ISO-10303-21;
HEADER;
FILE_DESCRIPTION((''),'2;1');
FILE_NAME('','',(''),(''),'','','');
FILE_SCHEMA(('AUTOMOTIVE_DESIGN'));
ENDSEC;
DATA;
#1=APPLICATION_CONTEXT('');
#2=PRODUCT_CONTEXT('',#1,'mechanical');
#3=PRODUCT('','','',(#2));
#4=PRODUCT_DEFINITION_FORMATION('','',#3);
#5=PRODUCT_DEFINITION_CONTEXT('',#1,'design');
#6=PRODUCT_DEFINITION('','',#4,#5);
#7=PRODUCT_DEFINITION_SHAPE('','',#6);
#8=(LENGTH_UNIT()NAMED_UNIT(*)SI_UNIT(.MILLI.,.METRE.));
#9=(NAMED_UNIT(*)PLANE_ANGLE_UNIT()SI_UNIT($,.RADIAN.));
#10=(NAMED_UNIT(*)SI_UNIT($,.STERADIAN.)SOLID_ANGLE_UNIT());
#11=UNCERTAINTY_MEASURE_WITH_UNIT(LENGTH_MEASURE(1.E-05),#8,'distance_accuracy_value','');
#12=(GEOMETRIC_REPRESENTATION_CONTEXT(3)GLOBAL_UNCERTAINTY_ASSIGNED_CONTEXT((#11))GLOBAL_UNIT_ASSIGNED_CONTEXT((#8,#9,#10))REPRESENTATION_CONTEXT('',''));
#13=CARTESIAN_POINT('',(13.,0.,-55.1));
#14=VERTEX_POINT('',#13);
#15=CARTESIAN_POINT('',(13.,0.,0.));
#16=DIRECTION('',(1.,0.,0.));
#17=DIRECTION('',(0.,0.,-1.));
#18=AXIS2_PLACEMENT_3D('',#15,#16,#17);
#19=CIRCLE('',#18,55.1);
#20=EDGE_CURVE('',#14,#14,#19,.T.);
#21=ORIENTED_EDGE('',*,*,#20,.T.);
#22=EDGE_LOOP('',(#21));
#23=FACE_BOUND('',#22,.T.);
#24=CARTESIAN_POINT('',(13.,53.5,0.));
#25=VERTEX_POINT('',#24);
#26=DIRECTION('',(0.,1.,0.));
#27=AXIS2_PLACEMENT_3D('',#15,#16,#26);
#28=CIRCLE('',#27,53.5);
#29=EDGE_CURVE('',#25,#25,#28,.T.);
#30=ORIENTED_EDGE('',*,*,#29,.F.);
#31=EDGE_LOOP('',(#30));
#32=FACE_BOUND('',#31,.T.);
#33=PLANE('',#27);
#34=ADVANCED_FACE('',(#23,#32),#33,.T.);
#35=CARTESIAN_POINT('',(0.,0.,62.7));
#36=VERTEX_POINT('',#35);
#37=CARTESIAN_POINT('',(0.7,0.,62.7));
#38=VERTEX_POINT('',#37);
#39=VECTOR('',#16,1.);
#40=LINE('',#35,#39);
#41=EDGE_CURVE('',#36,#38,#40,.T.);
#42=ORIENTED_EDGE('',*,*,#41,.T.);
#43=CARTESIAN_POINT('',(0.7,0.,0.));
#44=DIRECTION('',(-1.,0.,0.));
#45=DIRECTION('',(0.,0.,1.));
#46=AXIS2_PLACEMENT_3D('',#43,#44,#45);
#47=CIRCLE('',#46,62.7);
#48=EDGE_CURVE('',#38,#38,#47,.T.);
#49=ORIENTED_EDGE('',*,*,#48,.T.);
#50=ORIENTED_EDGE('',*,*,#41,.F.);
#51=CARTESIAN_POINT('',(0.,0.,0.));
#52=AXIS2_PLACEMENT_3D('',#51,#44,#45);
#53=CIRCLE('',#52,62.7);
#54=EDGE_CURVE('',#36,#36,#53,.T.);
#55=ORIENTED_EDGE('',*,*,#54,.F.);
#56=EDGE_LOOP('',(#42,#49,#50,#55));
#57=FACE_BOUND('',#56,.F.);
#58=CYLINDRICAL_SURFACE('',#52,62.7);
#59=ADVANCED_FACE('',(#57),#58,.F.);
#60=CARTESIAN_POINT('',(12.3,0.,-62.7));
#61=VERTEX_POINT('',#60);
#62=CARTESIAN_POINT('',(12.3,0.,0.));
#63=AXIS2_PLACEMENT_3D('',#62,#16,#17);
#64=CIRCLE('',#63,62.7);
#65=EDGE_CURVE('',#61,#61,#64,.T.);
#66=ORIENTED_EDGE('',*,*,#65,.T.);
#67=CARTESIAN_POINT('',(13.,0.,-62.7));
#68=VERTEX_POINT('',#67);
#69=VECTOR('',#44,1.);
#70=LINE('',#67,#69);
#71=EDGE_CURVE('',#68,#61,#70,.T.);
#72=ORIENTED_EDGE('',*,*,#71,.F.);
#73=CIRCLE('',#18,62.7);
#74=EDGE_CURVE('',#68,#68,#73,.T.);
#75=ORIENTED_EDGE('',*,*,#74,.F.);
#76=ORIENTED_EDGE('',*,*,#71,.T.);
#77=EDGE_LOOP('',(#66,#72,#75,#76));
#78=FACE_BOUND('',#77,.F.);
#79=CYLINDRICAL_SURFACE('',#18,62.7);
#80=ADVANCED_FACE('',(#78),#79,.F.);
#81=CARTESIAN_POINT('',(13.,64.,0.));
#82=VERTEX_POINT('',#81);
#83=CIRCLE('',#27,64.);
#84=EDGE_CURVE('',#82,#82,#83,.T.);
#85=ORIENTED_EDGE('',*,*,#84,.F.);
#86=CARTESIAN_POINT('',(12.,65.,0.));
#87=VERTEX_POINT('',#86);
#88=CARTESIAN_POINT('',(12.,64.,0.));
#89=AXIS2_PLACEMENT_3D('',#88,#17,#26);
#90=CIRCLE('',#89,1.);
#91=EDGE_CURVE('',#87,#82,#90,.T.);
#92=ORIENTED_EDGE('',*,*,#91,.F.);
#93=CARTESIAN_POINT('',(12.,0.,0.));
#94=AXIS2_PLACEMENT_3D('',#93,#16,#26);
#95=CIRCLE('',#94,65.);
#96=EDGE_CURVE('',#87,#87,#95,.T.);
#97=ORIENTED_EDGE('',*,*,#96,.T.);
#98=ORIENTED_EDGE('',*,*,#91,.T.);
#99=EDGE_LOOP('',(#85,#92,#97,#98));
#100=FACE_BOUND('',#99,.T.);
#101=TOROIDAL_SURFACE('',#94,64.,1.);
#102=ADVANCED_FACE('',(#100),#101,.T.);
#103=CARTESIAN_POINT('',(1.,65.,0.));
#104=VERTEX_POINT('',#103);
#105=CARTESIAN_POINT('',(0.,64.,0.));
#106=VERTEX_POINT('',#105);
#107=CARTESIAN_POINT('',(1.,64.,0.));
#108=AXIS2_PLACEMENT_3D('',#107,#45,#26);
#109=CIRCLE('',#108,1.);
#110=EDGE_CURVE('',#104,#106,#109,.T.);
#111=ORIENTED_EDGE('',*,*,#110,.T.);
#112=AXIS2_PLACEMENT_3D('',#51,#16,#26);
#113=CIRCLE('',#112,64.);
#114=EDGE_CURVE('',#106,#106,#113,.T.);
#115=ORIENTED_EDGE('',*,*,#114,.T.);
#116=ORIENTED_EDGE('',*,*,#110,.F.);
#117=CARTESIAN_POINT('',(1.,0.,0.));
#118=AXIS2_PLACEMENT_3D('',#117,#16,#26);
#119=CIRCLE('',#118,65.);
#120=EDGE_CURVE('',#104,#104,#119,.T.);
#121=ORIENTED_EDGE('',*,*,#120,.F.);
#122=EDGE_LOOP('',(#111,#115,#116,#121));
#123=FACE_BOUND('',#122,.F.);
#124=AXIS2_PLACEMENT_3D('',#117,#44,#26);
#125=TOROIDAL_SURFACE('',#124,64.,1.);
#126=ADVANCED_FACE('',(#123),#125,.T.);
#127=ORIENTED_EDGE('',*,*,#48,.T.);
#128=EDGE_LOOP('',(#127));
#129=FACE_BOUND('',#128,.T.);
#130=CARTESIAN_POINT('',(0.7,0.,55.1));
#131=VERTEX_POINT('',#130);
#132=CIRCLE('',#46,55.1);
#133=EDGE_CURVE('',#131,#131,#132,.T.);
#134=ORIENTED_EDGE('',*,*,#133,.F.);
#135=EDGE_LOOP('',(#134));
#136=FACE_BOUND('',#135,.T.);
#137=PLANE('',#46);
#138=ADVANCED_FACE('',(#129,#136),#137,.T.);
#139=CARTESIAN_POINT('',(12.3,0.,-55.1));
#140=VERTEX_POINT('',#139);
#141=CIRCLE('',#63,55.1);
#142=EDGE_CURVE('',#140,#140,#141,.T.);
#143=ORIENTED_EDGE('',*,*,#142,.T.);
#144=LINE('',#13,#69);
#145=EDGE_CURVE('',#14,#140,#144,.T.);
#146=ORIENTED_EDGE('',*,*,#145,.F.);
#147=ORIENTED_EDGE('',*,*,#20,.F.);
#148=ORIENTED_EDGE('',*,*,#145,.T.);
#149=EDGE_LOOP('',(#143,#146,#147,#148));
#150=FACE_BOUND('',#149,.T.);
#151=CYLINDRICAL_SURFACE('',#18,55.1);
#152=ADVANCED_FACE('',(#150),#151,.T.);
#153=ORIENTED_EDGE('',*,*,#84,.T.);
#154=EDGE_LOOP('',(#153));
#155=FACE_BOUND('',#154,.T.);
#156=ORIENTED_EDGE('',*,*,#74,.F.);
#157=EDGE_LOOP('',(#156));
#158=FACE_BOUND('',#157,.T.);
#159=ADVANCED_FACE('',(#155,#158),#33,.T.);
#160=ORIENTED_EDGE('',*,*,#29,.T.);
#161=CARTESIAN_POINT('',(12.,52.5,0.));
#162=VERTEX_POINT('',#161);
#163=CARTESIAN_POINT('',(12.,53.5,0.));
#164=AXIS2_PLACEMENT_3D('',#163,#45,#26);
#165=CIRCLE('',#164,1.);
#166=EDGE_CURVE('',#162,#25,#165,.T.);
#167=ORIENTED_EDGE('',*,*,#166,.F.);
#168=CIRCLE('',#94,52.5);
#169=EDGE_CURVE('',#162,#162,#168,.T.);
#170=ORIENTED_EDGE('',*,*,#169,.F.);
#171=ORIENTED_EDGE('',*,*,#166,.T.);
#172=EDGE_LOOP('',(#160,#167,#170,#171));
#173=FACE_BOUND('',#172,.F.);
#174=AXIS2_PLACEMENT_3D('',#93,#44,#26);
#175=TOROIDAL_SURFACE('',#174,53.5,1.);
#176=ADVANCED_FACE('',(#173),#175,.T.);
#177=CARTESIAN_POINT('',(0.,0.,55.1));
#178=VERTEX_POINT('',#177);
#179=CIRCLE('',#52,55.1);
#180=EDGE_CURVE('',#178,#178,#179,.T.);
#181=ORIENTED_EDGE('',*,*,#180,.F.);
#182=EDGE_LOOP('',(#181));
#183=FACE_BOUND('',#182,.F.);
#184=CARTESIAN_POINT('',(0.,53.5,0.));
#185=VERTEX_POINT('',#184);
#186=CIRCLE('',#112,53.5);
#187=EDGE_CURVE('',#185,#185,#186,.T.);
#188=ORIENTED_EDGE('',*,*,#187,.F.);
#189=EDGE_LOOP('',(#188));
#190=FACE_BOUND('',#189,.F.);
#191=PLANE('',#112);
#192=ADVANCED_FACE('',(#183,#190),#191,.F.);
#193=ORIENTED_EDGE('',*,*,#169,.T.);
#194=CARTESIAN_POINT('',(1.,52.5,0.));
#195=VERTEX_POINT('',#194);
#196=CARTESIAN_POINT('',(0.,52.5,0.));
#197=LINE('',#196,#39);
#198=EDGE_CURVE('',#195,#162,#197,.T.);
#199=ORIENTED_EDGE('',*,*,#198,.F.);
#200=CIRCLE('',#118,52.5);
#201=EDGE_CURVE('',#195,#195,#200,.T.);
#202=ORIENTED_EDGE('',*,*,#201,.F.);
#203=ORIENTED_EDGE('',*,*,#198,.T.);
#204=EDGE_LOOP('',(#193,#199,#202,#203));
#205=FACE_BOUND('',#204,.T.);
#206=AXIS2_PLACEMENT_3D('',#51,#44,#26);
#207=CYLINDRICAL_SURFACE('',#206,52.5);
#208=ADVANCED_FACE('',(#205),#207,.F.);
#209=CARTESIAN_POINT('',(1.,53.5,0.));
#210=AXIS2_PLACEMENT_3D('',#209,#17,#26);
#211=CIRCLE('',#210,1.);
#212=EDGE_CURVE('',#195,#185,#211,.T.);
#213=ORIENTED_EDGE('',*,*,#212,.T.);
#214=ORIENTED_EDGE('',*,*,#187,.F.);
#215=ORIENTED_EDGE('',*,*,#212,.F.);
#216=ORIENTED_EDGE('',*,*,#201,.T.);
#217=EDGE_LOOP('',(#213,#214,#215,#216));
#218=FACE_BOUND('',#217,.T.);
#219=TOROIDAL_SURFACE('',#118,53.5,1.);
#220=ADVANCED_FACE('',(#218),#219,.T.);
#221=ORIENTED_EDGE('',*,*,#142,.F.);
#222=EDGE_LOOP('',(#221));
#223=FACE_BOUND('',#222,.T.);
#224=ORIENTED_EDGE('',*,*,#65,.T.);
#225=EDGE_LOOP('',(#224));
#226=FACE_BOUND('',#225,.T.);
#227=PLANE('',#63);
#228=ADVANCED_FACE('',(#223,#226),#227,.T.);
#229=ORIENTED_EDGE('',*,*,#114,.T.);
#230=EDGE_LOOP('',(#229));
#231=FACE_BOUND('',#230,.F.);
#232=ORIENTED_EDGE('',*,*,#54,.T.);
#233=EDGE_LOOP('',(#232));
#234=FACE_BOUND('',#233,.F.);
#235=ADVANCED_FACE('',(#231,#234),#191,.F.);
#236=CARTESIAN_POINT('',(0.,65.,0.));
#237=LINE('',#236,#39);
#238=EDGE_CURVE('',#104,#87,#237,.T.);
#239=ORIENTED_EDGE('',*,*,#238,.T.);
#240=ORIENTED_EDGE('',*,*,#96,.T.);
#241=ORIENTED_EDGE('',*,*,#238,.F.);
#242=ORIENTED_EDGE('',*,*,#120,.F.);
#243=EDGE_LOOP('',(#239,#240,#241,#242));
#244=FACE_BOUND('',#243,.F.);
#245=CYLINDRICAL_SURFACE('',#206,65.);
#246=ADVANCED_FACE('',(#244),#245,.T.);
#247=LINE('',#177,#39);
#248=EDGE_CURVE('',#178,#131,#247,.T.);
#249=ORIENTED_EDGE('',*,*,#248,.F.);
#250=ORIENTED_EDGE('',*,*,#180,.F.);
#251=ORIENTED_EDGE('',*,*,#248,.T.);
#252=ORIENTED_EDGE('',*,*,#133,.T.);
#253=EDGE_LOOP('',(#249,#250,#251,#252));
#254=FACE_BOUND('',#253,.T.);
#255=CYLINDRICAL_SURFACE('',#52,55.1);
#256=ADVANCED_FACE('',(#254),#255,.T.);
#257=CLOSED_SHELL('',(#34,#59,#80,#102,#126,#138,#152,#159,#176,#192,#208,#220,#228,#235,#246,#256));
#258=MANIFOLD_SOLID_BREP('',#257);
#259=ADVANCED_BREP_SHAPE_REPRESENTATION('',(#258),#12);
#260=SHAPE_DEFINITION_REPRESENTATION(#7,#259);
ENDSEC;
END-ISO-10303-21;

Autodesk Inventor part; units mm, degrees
ref_plane "YZ Plane" through (0, 0, 0) normal (1, 0, 0) x (0, 1, 0)
ref_plane "XZ Plane" through (0, 0, 0) normal (0, 1, 0) x (-1, 0, 0)
ref_plane "XY Plane" through (0, 0, 0) normal (0, 0, 1) x (1, 0, 0)
sketch "スケッチ1" plane through (0, 0, 0) normal (1, 0, 0) x (0, 1, 0)
  circle A0 centre (0, 0) radius 65
  circle A1 centre (0, 0) radius 52.5
  dimension "d0" = 130
  dimension "d1" = 105
extrude "押し出し1" add sketch "スケッチ1" along normal blind 13
fillet "フィレット1" radius 1 4 edges at (13, -65, 0) (0, -65, 0) (13, -52.5, 0) (0, -52.5, 0)
sketch "スケッチ2" plane through (13, 0, 0) normal (1, 0, 0) x (0, 0, -1)
  circle A0 centre (0, 0) radius 55.1
  circle A1 centre (0, 0) radius 52.5 projected
  circle A2 centre (0, 0) radius 62.7
  circle A3 centre (0, 0) radius 65 projected
  dimension "d5" = 2.6
  dimension "d6" = 2.3
extrude "押し出し2" cut sketch "スケッチ2" against normal blind 0.7 contours A2
sketch "スケッチ3" plane through (0, 0, 0) normal (-1, 0, 0) x (0, 0, 1)
  circle A0 centre (0, 0) radius 55.1
  circle A1 centre (0, 0) radius 62.7
extrude "押し出し3" cut sketch "スケッチ3" against normal blind 0.7
properties part number "Bearing_Large"
